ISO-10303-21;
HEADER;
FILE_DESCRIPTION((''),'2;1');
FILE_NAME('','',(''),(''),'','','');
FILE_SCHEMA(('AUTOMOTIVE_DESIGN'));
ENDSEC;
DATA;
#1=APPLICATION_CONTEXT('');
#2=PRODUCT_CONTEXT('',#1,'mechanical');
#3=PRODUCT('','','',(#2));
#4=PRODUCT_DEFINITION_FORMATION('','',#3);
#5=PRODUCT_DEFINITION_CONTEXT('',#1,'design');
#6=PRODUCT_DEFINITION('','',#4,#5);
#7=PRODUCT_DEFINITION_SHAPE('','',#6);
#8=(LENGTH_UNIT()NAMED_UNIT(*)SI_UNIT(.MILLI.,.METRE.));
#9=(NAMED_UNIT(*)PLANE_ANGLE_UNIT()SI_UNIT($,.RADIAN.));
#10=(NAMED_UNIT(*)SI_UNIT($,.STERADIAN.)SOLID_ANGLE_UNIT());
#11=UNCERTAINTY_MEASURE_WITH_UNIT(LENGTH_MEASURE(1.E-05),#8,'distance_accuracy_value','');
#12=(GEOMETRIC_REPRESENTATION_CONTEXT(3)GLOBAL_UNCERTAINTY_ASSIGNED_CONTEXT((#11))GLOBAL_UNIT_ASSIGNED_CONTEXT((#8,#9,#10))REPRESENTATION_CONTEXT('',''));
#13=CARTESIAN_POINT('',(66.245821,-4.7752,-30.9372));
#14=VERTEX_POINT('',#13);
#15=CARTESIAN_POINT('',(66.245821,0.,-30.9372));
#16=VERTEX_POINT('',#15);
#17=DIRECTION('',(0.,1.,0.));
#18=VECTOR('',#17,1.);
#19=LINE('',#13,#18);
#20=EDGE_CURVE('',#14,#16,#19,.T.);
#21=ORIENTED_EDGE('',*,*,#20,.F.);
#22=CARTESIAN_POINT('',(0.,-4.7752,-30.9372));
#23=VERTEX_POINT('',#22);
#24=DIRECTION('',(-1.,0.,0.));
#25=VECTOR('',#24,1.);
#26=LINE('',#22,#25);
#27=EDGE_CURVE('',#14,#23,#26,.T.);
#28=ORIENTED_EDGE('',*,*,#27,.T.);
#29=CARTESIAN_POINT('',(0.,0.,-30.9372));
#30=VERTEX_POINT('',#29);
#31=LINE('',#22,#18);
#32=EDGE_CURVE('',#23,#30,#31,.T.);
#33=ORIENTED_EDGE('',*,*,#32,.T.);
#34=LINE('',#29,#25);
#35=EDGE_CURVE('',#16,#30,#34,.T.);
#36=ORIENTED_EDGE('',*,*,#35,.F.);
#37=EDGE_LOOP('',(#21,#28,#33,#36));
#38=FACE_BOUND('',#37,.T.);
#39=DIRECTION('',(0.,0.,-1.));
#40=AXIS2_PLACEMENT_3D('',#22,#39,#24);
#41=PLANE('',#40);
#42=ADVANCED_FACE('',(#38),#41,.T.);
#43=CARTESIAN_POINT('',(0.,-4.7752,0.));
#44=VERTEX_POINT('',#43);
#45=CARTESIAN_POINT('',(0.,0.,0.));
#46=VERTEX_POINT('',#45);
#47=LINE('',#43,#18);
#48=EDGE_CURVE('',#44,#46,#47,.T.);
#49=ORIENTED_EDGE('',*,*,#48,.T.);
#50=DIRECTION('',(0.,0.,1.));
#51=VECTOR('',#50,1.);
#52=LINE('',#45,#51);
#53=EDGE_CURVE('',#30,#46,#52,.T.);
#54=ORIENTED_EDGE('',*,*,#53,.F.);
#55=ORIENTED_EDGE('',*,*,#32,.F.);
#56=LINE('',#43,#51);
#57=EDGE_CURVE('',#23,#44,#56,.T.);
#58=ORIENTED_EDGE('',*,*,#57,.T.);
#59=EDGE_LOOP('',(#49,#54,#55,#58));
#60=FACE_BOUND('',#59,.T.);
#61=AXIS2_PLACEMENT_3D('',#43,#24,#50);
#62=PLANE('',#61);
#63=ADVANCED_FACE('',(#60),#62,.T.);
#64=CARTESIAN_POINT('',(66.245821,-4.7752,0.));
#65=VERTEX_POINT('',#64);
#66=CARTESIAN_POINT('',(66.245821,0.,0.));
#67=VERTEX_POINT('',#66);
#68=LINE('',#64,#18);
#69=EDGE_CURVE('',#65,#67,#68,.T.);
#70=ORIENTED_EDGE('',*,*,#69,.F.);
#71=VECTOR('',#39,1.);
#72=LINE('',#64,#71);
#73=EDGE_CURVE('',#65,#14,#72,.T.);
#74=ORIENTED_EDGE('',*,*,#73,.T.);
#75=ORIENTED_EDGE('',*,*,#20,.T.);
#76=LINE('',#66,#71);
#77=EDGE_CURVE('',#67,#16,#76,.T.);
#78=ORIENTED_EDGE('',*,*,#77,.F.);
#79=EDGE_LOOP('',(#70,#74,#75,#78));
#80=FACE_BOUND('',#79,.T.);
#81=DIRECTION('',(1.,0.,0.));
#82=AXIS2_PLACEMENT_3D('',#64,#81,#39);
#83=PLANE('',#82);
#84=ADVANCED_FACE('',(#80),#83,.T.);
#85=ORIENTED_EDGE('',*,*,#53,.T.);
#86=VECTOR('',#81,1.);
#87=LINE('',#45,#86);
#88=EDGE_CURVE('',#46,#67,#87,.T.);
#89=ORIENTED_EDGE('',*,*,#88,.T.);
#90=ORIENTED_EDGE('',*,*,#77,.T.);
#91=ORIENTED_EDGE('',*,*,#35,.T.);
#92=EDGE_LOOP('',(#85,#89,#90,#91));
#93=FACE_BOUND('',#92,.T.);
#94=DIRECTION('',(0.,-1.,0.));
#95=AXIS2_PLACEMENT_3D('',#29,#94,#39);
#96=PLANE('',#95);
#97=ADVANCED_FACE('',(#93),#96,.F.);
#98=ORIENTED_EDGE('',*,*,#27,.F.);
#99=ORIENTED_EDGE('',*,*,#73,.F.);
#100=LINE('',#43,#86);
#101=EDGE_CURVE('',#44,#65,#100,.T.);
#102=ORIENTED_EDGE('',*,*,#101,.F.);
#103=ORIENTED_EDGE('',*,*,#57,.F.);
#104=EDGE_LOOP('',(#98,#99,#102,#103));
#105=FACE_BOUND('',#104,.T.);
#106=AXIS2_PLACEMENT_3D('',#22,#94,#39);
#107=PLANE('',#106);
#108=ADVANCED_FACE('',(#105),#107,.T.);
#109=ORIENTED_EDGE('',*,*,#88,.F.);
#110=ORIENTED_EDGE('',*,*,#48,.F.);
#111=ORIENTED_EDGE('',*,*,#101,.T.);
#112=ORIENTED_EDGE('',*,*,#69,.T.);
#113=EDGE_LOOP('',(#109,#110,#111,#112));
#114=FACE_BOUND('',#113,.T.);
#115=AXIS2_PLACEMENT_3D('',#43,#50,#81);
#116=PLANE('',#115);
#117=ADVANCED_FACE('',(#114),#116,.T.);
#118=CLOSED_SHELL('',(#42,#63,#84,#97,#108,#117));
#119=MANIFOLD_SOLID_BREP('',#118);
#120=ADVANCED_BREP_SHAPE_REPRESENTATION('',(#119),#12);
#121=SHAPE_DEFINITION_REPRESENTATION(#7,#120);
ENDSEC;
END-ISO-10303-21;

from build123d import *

# Parameters (mm, degrees)
SKETCH1_W      = 66.245820557
SKETCH1_H      = 30.9372
EXTRUDE1_DEPTH = 4.7752


with BuildPart() as part:
    # Sketch1 → Extrude1 (new body)
    with BuildSketch(Plane(origin=(0, 0, 0), x_dir=(1, 0, 0), z_dir=(0, 1, 0))):
        with Locations((33.122910279, 15.4686)):
            Rectangle(SKETCH1_W, SKETCH1_H)
    extrude(amount=-EXTRUDE1_DEPTH)


solid = part.part
